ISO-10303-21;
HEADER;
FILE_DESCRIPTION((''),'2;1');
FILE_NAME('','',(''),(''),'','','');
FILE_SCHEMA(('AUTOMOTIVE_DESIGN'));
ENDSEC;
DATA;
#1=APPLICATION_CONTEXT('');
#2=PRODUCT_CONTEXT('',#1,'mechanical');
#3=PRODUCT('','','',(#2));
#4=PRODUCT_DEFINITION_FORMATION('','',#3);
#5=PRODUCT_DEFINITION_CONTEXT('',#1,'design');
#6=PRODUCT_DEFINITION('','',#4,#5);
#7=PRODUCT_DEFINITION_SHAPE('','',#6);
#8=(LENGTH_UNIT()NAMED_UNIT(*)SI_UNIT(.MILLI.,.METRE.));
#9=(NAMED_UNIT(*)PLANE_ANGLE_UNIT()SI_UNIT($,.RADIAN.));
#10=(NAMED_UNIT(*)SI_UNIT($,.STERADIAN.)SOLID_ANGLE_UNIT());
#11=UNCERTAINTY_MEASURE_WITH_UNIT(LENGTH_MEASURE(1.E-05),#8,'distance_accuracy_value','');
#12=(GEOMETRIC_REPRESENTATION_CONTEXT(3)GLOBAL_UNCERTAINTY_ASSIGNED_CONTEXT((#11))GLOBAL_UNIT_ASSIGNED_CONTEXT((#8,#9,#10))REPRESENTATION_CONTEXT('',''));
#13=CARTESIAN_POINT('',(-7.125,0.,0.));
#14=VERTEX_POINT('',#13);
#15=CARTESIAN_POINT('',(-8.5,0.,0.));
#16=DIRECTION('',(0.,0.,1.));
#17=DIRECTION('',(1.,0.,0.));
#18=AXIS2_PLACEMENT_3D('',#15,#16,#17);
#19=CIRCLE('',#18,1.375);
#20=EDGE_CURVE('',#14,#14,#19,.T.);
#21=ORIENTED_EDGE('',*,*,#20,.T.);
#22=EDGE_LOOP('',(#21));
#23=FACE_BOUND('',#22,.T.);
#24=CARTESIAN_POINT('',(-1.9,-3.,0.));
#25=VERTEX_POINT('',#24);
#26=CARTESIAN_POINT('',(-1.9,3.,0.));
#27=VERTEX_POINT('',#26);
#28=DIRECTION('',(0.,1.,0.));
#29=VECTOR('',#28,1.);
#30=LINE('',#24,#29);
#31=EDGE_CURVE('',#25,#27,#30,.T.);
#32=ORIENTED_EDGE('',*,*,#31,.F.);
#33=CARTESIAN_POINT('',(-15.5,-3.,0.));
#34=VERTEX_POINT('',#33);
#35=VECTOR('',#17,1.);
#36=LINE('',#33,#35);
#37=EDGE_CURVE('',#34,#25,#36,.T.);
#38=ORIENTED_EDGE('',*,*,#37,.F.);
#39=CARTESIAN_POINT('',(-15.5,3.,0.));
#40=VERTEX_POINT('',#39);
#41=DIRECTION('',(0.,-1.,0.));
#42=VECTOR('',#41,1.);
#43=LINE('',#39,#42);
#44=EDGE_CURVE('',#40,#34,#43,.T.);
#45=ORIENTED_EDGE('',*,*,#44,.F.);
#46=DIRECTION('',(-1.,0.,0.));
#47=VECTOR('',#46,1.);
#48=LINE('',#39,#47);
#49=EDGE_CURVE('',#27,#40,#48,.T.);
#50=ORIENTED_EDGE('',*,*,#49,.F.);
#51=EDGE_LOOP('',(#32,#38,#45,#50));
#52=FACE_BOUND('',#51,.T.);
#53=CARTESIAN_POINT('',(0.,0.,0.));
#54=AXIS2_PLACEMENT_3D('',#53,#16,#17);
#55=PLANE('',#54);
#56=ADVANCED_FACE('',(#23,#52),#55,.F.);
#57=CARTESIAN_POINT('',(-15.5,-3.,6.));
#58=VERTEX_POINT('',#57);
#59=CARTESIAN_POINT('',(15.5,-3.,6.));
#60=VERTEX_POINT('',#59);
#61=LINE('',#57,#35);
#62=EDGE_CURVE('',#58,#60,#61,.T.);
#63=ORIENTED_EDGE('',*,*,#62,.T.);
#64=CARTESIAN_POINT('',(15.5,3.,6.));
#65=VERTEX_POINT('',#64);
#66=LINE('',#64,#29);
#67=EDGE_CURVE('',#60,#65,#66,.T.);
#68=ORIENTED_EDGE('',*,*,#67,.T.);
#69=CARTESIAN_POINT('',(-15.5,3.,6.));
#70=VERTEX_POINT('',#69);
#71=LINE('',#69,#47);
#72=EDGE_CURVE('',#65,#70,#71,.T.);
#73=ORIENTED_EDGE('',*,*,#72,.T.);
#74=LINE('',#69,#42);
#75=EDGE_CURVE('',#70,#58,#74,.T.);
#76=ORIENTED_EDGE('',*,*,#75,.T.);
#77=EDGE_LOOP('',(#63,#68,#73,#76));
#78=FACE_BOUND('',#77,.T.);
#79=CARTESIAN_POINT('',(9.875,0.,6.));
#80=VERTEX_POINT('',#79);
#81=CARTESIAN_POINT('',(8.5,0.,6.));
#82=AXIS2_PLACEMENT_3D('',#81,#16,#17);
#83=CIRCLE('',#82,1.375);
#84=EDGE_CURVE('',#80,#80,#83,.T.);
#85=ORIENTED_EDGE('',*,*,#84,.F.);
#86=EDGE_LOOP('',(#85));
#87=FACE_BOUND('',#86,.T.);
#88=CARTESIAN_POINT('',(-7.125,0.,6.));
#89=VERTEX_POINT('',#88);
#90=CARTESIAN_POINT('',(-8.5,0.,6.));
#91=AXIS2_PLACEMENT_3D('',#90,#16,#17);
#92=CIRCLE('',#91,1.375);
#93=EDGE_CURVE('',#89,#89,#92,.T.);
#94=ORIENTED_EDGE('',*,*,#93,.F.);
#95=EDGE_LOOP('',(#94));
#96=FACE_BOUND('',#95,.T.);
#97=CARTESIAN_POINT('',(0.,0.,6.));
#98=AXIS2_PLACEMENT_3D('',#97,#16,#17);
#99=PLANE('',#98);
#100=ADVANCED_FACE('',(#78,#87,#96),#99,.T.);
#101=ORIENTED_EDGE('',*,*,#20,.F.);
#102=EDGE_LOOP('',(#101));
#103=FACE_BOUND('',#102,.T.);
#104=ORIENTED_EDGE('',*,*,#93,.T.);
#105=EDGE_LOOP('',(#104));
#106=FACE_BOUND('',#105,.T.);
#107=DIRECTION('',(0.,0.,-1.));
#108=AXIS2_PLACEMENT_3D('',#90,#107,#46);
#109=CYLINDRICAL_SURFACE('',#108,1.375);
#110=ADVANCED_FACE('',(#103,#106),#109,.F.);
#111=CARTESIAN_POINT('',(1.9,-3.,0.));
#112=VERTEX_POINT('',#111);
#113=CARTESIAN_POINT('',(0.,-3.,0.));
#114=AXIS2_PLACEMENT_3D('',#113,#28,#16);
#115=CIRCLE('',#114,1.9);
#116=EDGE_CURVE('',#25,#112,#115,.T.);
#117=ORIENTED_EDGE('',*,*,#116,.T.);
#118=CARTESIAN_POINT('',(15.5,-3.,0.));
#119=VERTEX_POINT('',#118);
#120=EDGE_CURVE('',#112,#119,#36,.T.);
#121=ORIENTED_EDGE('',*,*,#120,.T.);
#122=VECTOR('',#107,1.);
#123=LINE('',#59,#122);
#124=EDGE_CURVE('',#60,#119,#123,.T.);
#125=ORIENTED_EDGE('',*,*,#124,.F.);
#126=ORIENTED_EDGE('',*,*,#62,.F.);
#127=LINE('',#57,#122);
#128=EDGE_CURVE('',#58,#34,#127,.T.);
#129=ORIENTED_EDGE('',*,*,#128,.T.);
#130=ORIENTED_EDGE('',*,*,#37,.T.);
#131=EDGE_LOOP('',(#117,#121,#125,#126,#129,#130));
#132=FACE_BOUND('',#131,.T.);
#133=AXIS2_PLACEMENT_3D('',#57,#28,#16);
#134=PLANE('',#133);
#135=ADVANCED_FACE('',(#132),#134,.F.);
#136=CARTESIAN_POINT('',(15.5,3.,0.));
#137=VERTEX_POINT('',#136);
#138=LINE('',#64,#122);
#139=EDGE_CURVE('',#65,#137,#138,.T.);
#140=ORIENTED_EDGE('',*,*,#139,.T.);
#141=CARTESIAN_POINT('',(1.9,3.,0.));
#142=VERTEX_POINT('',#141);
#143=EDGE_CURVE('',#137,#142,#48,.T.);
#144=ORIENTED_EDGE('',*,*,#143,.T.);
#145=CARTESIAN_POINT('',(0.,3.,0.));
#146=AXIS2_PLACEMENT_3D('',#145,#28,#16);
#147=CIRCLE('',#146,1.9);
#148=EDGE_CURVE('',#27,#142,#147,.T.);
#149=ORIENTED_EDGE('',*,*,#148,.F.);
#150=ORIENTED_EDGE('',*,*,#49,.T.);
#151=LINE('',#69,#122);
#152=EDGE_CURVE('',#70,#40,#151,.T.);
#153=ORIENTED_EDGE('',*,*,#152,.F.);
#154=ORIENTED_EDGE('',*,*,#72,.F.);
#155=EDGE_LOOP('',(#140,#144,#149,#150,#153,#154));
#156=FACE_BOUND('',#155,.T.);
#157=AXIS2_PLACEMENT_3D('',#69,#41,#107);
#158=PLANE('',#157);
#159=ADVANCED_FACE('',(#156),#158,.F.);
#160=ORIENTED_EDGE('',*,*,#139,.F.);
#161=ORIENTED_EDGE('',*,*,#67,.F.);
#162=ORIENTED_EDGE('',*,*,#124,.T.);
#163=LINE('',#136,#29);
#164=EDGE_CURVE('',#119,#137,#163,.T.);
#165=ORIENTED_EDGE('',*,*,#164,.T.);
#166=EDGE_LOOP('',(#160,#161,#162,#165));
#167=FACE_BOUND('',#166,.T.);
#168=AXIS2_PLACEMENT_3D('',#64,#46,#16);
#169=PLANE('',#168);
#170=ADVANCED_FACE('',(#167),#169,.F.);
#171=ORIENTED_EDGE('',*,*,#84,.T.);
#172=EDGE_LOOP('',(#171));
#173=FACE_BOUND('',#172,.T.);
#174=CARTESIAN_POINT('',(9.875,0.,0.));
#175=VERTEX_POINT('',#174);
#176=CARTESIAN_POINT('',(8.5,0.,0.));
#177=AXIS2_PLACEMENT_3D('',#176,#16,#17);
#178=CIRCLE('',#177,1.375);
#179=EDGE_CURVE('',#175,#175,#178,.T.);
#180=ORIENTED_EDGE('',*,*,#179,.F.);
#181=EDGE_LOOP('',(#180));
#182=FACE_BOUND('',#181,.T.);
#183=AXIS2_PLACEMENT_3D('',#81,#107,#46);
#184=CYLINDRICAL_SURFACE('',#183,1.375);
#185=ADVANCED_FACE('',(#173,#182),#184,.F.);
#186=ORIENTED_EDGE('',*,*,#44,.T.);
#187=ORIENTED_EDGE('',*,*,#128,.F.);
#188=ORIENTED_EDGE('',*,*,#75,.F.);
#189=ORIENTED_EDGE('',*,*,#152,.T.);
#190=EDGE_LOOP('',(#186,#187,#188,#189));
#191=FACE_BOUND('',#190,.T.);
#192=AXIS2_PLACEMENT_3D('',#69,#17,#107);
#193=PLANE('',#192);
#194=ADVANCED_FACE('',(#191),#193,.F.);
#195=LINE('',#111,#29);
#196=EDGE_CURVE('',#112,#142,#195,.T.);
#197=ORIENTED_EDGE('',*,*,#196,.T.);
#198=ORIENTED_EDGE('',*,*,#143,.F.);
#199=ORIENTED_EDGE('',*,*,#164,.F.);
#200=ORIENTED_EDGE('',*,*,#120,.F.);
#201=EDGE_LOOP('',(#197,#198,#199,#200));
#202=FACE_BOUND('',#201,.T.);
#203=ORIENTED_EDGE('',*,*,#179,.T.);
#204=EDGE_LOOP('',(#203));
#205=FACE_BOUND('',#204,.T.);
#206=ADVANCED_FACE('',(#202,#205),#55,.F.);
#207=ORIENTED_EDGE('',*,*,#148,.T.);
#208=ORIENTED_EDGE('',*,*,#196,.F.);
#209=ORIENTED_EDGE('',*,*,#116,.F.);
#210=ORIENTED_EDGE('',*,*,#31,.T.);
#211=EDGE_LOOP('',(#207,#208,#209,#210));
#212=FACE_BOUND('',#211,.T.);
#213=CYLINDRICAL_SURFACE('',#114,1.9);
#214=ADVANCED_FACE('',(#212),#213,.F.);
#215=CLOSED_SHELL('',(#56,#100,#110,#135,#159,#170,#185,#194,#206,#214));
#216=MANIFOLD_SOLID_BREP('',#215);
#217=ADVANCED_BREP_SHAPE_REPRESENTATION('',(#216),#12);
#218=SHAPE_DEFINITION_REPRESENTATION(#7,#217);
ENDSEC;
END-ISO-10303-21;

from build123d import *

# Parameters (mm, degrees)
SKETCH1_W        = 31
SKETCH1_H        = 6
SKETCH1_R        = 1.375
BASE_DEPTH       = 6
WIRE_GROVE_DEPTH = 18.670597047


with BuildPart() as part:
    # Sketch1 → Base (new body)
    with BuildSketch(Plane.XY):
        Rectangle(SKETCH1_W, SKETCH1_H)
        with Locations((-8.5, 0)):
            Circle(SKETCH1_R, mode=Mode.SUBTRACT)
        with Locations((8.5, 0)):
            Circle(SKETCH1_R, mode=Mode.SUBTRACT)
    extrude(amount=BASE_DEPTH)

    # Sketch2 → Wire Grove (cut, through all)
    with BuildSketch(Plane(origin=(0, 3, 0), x_dir=(1, 0, 0), z_dir=(0, 1, 0))):
        with BuildLine():
            Line((-1.9, 0), (1.9, 0))
            ThreePointArc((1.9, 0), (0, -1.9), (-1.9, 0))
        make_face()
    extrude(amount=-WIRE_GROVE_DEPTH, mode=Mode.SUBTRACT)


solid = part.part
